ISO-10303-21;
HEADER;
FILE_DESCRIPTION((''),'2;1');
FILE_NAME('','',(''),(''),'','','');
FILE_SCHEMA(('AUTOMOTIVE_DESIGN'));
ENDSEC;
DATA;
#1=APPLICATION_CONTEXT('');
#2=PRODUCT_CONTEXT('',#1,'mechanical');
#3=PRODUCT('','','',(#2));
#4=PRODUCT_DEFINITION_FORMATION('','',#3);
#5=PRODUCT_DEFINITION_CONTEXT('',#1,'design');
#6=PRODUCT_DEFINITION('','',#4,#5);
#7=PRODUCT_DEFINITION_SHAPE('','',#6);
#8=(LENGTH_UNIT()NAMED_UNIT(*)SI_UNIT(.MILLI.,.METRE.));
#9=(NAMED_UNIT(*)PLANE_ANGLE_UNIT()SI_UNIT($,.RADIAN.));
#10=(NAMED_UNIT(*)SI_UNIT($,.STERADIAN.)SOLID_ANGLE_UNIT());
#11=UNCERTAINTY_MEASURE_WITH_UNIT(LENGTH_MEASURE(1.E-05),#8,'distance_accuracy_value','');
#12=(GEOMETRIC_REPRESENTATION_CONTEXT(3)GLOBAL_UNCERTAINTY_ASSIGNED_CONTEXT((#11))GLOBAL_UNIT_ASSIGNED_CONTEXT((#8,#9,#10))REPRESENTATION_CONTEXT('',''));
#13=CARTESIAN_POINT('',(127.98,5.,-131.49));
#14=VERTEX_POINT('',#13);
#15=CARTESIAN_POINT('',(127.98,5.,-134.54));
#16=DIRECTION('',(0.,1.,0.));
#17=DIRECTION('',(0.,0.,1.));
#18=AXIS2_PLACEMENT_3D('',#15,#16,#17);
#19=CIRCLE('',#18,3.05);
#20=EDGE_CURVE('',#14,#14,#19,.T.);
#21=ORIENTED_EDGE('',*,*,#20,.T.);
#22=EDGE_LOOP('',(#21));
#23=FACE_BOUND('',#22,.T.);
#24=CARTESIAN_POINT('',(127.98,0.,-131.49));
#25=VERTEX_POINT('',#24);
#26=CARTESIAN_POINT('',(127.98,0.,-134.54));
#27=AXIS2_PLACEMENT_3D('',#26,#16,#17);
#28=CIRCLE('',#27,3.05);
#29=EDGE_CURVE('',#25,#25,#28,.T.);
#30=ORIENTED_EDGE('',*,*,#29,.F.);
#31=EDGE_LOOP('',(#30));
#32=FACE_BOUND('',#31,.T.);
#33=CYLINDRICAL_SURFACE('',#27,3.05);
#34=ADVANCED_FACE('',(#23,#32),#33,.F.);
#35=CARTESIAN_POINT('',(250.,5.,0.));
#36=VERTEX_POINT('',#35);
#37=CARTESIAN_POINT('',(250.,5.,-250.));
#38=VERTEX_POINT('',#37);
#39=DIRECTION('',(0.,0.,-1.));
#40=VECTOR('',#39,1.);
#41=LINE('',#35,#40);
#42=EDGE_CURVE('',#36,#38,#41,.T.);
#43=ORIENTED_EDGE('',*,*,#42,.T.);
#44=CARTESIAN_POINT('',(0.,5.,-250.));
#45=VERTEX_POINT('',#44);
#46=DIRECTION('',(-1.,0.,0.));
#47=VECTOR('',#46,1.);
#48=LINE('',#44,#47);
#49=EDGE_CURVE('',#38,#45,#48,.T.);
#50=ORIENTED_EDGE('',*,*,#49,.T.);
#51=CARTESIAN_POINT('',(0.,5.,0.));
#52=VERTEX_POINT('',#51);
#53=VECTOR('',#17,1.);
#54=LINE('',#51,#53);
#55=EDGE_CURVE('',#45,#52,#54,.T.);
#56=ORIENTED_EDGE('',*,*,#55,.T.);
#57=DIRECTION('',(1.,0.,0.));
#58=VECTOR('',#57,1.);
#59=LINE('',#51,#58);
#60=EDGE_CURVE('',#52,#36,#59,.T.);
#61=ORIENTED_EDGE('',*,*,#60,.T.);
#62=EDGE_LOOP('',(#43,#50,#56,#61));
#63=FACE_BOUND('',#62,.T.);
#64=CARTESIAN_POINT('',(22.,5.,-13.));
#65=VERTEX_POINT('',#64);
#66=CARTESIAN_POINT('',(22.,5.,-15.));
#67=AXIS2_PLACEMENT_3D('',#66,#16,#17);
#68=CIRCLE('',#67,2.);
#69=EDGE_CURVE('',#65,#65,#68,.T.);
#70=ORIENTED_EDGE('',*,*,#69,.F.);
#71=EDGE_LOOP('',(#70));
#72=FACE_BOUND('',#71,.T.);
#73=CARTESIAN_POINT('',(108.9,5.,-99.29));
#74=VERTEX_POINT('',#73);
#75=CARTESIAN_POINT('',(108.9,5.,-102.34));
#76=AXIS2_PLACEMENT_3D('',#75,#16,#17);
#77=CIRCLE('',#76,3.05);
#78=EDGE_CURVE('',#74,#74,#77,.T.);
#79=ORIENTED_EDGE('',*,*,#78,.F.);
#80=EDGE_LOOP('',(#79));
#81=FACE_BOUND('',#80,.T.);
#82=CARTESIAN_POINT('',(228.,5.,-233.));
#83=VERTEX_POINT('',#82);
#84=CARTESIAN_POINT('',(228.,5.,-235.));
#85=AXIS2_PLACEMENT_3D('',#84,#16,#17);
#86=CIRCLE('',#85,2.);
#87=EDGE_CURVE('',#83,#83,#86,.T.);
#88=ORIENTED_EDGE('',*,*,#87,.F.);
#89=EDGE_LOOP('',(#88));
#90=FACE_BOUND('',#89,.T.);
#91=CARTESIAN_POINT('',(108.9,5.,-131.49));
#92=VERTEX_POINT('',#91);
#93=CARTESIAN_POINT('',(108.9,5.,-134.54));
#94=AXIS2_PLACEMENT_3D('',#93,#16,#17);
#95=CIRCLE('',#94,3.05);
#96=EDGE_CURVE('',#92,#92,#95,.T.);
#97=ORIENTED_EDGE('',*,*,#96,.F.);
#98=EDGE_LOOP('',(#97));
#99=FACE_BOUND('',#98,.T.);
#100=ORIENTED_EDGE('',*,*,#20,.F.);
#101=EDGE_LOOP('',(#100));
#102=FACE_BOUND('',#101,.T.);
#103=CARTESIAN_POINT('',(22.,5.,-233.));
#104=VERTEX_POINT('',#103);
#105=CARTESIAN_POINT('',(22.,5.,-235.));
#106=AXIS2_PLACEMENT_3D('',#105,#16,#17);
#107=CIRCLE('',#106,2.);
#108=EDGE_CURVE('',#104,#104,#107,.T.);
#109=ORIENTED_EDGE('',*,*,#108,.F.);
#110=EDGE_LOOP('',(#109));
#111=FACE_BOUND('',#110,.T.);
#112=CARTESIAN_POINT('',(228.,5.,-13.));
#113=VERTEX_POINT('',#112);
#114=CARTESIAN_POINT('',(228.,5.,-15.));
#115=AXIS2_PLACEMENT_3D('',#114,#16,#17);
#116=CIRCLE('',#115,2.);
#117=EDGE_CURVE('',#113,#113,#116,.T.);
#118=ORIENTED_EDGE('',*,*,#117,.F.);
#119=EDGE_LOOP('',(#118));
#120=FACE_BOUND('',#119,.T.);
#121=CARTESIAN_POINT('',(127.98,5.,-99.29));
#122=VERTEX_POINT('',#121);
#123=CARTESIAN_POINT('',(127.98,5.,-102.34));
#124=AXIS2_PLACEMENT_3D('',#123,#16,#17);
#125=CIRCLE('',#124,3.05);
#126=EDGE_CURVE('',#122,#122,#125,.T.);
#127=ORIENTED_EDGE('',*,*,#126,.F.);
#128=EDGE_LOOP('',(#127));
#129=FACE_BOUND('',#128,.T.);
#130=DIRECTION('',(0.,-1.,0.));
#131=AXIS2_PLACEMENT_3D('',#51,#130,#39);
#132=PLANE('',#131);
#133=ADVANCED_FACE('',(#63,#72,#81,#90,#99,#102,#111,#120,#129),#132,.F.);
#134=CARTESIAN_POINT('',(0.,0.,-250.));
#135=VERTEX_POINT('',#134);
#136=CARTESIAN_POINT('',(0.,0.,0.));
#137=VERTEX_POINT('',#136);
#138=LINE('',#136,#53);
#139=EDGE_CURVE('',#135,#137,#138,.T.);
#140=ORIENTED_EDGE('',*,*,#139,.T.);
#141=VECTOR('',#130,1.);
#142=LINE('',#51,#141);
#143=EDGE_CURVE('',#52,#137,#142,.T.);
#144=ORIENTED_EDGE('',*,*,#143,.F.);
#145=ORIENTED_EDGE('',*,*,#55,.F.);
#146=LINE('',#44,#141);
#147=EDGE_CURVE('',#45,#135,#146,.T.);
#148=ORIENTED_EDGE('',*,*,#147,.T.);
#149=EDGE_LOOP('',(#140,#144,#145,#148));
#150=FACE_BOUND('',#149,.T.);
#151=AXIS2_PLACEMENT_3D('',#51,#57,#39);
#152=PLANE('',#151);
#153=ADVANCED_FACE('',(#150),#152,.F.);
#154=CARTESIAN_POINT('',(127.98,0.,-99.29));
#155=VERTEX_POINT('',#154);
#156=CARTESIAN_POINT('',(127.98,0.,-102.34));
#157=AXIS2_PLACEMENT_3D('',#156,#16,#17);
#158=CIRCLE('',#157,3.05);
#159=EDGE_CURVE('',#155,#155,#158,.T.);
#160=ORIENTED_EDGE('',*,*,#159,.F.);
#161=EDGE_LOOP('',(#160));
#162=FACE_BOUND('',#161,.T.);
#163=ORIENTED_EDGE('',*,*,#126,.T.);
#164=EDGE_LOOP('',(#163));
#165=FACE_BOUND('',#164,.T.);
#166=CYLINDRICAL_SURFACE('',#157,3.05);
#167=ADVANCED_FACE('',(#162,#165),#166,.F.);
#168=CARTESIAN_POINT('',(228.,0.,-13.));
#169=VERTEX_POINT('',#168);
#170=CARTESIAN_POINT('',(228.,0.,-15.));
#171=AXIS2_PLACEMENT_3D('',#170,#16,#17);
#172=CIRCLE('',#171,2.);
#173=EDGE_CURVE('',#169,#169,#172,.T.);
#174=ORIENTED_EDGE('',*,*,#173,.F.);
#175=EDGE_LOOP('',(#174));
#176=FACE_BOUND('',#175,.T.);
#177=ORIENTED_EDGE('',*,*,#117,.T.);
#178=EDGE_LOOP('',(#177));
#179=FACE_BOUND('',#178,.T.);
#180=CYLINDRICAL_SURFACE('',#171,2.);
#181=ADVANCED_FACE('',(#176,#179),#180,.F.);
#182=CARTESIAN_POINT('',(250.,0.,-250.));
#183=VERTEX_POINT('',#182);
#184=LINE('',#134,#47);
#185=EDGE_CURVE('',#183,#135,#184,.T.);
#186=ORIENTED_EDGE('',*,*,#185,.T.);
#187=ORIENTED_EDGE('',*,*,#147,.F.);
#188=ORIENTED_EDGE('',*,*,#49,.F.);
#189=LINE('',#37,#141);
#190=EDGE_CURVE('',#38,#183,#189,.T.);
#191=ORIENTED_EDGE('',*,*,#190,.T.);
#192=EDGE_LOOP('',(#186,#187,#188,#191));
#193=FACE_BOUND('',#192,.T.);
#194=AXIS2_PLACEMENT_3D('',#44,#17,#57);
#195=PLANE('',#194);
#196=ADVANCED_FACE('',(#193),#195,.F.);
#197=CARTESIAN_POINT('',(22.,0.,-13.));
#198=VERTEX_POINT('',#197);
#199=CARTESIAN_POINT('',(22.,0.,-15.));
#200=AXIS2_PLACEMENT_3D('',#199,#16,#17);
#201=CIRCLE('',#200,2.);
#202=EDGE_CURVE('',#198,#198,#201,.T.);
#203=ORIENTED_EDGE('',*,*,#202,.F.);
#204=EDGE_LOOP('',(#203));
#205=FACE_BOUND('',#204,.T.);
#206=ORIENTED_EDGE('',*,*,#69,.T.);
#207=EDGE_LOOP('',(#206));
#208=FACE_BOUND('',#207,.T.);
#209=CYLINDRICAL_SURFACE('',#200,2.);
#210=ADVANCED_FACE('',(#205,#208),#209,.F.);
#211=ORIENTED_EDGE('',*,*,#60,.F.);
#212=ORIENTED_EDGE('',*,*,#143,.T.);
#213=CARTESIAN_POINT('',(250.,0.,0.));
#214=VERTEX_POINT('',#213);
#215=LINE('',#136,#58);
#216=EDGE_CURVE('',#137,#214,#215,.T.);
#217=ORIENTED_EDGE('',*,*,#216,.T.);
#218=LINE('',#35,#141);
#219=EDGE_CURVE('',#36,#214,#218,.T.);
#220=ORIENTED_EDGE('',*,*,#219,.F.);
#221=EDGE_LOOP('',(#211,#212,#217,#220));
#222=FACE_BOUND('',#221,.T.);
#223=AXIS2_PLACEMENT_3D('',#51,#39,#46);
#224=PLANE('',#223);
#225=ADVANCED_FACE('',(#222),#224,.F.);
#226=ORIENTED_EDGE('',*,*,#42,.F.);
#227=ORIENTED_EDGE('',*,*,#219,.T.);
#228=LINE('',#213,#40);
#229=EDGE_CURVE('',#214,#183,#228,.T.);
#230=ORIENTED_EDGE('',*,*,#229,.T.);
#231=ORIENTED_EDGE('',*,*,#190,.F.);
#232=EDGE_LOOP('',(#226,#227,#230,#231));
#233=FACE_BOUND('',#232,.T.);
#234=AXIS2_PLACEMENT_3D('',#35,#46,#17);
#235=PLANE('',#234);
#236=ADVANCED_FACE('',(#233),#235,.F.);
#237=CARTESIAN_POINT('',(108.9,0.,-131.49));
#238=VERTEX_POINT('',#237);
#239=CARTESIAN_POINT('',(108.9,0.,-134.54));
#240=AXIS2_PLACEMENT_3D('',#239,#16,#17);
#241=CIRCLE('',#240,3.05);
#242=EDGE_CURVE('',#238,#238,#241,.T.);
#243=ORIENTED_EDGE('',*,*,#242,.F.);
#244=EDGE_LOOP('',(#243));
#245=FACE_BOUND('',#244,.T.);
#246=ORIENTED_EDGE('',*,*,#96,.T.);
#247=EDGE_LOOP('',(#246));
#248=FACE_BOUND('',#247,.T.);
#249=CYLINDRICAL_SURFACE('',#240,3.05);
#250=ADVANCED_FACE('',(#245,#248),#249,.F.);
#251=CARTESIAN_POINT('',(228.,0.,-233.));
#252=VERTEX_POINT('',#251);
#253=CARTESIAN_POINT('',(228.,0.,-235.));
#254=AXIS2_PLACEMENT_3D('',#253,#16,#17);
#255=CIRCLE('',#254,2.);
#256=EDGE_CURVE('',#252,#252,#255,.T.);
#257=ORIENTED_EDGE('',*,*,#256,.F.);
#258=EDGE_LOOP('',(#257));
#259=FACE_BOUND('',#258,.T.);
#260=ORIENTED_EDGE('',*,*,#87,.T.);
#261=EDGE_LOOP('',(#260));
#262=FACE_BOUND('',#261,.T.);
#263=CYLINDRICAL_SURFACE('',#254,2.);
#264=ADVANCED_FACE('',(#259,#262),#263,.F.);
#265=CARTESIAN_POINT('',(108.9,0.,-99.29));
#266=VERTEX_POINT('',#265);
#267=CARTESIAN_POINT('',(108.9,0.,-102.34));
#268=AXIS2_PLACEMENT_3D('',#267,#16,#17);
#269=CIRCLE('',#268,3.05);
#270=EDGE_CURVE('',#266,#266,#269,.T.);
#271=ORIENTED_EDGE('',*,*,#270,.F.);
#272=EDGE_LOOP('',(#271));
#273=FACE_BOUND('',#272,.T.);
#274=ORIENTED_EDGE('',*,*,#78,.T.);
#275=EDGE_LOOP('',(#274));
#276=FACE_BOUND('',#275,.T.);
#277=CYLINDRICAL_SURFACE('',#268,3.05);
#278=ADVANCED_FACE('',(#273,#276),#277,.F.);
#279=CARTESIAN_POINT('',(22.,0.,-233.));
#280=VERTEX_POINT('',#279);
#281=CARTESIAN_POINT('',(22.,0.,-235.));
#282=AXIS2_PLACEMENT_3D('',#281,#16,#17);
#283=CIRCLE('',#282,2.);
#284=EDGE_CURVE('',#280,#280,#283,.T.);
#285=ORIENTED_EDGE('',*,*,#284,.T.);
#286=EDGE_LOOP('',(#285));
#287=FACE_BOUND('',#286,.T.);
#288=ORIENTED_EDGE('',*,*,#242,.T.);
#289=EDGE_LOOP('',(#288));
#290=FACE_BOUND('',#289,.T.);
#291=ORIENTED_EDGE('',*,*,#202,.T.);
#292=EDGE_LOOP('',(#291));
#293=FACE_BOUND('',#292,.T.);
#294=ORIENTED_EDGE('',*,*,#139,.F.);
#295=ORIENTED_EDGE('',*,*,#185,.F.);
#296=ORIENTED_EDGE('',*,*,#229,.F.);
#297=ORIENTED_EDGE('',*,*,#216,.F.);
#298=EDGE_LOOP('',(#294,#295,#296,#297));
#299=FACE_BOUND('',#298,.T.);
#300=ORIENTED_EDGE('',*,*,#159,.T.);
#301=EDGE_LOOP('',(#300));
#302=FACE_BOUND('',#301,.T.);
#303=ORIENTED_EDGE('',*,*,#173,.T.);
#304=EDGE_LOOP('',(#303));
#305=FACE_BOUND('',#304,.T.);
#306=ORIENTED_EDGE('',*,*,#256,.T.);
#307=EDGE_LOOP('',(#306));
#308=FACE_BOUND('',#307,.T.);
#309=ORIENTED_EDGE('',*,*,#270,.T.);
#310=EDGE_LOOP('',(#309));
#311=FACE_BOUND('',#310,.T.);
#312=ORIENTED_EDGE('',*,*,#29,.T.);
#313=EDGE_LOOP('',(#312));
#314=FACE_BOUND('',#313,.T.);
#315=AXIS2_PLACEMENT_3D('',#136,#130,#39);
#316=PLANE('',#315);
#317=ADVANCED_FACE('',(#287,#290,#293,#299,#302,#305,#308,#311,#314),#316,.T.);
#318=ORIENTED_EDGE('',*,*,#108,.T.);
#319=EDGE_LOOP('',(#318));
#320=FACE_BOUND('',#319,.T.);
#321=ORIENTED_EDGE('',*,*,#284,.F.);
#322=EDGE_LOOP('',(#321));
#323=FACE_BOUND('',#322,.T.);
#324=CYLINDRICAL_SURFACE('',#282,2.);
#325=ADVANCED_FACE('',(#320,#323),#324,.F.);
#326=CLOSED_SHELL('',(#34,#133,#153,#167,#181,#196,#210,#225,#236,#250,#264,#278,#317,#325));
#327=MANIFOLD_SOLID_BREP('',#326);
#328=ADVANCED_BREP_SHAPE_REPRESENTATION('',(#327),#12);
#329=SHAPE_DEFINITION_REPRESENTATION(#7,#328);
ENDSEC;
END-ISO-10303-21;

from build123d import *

# Parameters (mm, degrees)
SKETCH2_W            = 250
SKETCH2_H            = 250
BOSS_EXTRUDE1_DEPTH  = 5
SKETCH3_R            = 2
SKETCH3_R_2          = 3.05
CUT_EXTRUDE1_DEPTH   = 354.588744165
LPATTERN1_COUNT      = 2
LPATTERN1_PITCH      = 220
LPATTERN1_COUNT_DIR2 = 2
LPATTERN1_PITCH_DIR2 = 206


with BuildPart() as part:
    # Sketch2 → Boss-Extrude1 (new body)
    with BuildSketch(Plane(origin=(0, 0, 0), x_dir=(1, 0, 0), z_dir=(0, 1, 0))):
        with Locations((125, 125)):
            Rectangle(SKETCH2_W, SKETCH2_H)
    extrude(amount=BOSS_EXTRUDE1_DEPTH)

    # Sketch3 → Cut-Extrude1 (cut, through all)
    with BuildSketch(Plane(origin=(0, 5, 0), x_dir=(1, 0, 0), z_dir=(0, 1, 0))):
        with Locations(Location((22, 15, 0), (0, 0, 270))):
            Circle(SKETCH3_R)
        with Locations(Location((108.9, 134.54, 0), (0, 0, 270))):
            Circle(SKETCH3_R_2)
        with Locations(Location((127.98, 134.54, 0), (0, 0, 270))):
            Circle(SKETCH3_R_2)
        with Locations(Location((127.98, 102.34, 0), (0, 0, 270))):
            Circle(SKETCH3_R_2)
        with Locations(Location((108.9, 102.34, 0), (0, 0, 270))):
            Circle(SKETCH3_R_2)
    cut_extrude1 = extrude(amount=-CUT_EXTRUDE1_DEPTH, mode=Mode.SUBTRACT)

    # LPattern1: Cut-Extrude1 2 × 2
    with Locations(*[(j * LPATTERN1_PITCH_DIR2, 0, -i * LPATTERN1_PITCH) for i in range(LPATTERN1_COUNT) for j in range(LPATTERN1_COUNT_DIR2) if (i, j) != (0, 0)]):
        add(cut_extrude1, mode=Mode.SUBTRACT)


solid = part.part
